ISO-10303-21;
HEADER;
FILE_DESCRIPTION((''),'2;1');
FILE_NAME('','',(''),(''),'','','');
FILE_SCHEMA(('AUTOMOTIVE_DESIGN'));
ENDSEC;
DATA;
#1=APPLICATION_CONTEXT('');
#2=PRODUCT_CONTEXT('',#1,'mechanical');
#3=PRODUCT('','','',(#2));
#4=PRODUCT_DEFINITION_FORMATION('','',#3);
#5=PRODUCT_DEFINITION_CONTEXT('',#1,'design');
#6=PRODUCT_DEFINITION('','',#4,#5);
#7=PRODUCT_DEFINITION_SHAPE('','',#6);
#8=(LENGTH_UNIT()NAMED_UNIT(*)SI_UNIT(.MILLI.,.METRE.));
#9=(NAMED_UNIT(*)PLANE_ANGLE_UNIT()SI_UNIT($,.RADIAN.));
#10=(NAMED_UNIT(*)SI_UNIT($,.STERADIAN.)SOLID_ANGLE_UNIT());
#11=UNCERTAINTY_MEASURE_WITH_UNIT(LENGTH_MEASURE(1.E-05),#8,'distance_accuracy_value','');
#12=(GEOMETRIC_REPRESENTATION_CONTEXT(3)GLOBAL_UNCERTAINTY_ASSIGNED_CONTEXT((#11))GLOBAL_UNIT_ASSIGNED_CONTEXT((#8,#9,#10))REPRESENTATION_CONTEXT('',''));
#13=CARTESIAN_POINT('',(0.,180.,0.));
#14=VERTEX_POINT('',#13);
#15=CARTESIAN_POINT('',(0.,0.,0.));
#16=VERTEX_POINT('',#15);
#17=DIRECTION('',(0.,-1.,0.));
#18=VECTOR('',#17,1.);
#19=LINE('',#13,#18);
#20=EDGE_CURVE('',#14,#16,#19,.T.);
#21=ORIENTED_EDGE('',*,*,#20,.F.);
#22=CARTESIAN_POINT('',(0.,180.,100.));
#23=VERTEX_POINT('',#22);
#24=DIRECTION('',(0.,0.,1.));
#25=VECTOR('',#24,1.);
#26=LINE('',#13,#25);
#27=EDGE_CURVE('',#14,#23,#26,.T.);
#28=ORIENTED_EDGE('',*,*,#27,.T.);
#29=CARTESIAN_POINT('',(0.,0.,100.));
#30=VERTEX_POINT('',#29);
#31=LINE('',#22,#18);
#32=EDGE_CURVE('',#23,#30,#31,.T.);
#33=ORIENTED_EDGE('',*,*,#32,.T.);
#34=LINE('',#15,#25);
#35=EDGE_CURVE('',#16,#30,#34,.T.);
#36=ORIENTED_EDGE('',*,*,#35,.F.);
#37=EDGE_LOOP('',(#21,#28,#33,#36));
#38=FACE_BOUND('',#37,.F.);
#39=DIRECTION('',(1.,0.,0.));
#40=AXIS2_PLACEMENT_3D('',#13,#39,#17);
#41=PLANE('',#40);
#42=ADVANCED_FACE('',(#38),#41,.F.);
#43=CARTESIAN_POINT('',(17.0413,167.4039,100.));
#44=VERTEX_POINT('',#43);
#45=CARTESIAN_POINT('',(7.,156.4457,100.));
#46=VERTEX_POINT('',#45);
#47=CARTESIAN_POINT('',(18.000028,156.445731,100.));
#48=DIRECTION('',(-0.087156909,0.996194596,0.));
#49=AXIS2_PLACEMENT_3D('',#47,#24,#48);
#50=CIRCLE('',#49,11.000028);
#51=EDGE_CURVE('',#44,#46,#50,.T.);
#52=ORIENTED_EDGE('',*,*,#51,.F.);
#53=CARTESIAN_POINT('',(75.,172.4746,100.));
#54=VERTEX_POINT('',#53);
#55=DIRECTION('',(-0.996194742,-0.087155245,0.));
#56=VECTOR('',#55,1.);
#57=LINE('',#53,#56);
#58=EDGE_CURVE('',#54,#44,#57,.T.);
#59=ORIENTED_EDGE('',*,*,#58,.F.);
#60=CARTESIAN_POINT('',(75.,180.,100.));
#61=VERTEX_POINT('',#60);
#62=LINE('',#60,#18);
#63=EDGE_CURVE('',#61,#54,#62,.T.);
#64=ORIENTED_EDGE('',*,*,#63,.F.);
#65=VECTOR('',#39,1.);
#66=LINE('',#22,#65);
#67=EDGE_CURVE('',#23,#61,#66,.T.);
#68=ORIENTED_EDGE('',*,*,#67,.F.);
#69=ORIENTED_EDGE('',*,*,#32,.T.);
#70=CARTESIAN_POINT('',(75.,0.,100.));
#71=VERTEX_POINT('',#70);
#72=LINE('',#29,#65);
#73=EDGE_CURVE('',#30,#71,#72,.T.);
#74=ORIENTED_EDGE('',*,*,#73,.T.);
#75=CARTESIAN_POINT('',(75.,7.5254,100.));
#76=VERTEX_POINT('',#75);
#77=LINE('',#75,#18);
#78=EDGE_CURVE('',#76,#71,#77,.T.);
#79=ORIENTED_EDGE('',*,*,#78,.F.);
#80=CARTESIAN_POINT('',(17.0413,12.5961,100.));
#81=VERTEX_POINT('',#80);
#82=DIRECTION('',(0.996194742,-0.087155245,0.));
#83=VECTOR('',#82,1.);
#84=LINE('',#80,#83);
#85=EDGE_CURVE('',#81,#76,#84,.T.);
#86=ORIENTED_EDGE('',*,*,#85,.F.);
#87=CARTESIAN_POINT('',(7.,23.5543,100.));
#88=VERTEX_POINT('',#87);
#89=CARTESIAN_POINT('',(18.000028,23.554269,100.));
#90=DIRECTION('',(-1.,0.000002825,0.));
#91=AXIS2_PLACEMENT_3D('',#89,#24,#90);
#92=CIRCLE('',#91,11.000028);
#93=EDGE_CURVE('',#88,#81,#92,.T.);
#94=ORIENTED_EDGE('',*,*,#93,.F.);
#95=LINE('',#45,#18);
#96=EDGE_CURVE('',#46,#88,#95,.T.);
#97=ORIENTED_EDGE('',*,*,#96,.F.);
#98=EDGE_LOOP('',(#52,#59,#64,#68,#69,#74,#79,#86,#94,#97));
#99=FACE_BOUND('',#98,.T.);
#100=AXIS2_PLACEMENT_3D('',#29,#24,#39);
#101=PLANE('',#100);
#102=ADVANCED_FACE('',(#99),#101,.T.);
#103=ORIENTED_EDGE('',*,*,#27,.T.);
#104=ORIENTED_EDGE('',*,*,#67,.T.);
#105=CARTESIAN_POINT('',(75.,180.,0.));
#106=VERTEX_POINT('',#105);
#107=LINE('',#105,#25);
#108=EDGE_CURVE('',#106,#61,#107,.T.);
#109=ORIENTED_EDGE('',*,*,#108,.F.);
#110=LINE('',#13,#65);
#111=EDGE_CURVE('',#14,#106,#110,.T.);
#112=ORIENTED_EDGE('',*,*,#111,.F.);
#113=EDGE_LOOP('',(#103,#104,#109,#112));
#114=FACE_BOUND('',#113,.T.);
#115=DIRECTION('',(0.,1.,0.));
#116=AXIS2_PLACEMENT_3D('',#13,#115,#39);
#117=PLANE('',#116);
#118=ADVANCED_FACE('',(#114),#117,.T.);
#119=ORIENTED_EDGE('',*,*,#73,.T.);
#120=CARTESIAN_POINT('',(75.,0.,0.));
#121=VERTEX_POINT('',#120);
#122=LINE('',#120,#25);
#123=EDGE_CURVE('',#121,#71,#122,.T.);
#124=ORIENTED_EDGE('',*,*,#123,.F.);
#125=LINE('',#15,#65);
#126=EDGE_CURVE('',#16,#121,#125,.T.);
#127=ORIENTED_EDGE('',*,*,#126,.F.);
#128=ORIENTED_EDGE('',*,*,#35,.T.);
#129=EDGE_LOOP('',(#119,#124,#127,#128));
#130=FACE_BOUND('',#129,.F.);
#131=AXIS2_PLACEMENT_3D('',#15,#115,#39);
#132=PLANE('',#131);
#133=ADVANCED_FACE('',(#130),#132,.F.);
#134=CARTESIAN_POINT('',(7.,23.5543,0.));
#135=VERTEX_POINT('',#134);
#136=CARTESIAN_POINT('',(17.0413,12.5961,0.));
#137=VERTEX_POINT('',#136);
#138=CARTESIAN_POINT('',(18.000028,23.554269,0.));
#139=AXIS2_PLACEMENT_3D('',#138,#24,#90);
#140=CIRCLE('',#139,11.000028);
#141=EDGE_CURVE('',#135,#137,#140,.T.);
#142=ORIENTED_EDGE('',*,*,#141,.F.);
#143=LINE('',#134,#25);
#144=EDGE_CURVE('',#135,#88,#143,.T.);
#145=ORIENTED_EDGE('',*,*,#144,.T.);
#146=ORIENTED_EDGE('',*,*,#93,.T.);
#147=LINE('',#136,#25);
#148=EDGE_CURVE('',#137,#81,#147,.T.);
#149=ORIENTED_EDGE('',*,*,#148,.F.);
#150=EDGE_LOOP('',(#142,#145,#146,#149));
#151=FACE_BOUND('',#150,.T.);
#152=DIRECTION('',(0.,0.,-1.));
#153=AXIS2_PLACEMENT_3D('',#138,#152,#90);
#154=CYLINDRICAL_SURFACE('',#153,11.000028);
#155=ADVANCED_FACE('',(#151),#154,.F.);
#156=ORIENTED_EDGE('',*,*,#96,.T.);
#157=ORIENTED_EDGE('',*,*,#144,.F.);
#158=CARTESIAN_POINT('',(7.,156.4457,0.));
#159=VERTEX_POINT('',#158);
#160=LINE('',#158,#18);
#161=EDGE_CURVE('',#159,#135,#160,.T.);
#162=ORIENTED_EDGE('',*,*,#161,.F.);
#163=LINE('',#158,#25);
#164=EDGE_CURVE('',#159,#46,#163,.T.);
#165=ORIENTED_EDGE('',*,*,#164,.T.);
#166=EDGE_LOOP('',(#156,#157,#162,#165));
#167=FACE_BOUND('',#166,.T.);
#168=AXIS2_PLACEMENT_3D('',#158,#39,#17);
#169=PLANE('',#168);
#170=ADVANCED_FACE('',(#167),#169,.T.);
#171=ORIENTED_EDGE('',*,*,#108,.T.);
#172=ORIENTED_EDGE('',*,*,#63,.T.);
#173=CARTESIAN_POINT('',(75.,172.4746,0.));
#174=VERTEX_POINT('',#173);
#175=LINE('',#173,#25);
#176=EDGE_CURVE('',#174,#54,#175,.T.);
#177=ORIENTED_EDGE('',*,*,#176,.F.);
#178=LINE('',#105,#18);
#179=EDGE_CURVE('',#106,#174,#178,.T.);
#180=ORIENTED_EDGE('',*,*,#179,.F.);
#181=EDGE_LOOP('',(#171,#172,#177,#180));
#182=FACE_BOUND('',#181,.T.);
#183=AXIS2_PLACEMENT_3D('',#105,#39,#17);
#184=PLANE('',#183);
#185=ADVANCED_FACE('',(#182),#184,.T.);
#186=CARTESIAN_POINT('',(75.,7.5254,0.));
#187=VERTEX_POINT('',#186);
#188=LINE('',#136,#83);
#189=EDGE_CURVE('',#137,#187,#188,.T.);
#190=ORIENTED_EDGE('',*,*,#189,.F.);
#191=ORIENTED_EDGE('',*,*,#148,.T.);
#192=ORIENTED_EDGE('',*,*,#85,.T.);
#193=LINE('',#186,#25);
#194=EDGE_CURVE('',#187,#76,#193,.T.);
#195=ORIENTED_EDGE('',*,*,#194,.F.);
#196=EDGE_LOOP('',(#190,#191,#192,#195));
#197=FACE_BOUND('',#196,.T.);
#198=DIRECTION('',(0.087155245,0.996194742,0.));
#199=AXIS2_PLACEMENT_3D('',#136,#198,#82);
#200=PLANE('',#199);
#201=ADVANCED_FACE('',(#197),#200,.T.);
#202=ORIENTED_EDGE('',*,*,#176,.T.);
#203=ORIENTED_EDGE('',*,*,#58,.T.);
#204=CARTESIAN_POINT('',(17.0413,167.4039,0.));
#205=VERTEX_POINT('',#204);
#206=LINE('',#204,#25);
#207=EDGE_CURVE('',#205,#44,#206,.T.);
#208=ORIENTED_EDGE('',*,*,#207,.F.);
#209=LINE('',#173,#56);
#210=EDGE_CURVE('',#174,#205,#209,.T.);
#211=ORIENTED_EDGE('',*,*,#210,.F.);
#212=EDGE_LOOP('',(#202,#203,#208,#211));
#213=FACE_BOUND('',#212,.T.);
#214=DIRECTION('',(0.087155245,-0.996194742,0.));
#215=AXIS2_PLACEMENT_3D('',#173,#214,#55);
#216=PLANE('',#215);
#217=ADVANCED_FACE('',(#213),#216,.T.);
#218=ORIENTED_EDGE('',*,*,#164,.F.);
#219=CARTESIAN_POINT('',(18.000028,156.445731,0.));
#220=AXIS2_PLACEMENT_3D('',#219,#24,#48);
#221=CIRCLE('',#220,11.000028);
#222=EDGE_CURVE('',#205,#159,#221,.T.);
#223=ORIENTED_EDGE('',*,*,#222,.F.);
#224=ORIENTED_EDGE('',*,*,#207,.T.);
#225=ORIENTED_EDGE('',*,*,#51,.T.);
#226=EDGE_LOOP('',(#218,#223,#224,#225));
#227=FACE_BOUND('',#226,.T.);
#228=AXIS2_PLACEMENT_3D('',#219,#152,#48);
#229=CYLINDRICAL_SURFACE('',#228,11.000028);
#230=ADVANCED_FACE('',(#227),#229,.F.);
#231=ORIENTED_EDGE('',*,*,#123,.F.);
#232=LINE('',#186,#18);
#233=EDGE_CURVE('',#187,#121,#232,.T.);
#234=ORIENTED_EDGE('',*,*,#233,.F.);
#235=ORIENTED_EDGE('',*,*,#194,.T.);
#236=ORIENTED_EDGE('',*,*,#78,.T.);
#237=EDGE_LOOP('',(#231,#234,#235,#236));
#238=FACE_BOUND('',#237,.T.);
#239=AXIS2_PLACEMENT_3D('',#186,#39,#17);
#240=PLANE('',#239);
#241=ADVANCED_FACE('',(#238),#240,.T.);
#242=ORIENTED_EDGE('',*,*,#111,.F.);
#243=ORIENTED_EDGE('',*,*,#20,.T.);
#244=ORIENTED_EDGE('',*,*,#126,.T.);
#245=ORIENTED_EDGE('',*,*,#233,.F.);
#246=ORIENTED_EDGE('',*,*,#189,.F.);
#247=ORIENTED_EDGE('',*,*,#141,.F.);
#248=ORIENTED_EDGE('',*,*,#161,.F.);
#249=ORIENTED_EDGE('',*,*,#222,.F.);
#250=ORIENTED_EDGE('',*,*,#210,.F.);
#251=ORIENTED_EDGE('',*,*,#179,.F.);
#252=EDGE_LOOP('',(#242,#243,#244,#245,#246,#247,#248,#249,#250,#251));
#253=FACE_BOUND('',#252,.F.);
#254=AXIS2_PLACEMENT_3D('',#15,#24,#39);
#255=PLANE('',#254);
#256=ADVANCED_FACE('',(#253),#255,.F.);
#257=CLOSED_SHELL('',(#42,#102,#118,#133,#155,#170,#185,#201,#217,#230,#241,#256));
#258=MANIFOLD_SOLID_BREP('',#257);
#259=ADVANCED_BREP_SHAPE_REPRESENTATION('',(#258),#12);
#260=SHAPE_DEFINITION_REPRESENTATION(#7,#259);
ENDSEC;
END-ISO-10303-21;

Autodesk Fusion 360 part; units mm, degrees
sketch "スケッチ1" plane through (0, 0, 0) normal (0, 0, 1) x (1, 0, 0)
  line L0 (7, 156.4457) -> (7, 23.5543)
  line L1 (0, 180) -> (0, 0)
  line L2 (0, 0) -> (75, 0)
  line L3 (17.0413, 12.5961) -> (75, 7.5254)
  arc A0 (7, 23.5543) -> (17.0413, 12.5961) centre (18, 23.5543) ccw
  line L4 (75, 7.5254) -> (75, 0)
  line L5 (75, 172.4746) -> (17.0413, 167.4039)
  arc A1 (17.0413, 167.4039) -> (7, 156.4457) centre (18, 156.4457) ccw
  line L6 (0, 180) -> (75, 180)
  line L7 (75, 180) -> (75, 172.4746)
extrude "押し出し1" add sketch "スケッチ1" along normal blind 100
